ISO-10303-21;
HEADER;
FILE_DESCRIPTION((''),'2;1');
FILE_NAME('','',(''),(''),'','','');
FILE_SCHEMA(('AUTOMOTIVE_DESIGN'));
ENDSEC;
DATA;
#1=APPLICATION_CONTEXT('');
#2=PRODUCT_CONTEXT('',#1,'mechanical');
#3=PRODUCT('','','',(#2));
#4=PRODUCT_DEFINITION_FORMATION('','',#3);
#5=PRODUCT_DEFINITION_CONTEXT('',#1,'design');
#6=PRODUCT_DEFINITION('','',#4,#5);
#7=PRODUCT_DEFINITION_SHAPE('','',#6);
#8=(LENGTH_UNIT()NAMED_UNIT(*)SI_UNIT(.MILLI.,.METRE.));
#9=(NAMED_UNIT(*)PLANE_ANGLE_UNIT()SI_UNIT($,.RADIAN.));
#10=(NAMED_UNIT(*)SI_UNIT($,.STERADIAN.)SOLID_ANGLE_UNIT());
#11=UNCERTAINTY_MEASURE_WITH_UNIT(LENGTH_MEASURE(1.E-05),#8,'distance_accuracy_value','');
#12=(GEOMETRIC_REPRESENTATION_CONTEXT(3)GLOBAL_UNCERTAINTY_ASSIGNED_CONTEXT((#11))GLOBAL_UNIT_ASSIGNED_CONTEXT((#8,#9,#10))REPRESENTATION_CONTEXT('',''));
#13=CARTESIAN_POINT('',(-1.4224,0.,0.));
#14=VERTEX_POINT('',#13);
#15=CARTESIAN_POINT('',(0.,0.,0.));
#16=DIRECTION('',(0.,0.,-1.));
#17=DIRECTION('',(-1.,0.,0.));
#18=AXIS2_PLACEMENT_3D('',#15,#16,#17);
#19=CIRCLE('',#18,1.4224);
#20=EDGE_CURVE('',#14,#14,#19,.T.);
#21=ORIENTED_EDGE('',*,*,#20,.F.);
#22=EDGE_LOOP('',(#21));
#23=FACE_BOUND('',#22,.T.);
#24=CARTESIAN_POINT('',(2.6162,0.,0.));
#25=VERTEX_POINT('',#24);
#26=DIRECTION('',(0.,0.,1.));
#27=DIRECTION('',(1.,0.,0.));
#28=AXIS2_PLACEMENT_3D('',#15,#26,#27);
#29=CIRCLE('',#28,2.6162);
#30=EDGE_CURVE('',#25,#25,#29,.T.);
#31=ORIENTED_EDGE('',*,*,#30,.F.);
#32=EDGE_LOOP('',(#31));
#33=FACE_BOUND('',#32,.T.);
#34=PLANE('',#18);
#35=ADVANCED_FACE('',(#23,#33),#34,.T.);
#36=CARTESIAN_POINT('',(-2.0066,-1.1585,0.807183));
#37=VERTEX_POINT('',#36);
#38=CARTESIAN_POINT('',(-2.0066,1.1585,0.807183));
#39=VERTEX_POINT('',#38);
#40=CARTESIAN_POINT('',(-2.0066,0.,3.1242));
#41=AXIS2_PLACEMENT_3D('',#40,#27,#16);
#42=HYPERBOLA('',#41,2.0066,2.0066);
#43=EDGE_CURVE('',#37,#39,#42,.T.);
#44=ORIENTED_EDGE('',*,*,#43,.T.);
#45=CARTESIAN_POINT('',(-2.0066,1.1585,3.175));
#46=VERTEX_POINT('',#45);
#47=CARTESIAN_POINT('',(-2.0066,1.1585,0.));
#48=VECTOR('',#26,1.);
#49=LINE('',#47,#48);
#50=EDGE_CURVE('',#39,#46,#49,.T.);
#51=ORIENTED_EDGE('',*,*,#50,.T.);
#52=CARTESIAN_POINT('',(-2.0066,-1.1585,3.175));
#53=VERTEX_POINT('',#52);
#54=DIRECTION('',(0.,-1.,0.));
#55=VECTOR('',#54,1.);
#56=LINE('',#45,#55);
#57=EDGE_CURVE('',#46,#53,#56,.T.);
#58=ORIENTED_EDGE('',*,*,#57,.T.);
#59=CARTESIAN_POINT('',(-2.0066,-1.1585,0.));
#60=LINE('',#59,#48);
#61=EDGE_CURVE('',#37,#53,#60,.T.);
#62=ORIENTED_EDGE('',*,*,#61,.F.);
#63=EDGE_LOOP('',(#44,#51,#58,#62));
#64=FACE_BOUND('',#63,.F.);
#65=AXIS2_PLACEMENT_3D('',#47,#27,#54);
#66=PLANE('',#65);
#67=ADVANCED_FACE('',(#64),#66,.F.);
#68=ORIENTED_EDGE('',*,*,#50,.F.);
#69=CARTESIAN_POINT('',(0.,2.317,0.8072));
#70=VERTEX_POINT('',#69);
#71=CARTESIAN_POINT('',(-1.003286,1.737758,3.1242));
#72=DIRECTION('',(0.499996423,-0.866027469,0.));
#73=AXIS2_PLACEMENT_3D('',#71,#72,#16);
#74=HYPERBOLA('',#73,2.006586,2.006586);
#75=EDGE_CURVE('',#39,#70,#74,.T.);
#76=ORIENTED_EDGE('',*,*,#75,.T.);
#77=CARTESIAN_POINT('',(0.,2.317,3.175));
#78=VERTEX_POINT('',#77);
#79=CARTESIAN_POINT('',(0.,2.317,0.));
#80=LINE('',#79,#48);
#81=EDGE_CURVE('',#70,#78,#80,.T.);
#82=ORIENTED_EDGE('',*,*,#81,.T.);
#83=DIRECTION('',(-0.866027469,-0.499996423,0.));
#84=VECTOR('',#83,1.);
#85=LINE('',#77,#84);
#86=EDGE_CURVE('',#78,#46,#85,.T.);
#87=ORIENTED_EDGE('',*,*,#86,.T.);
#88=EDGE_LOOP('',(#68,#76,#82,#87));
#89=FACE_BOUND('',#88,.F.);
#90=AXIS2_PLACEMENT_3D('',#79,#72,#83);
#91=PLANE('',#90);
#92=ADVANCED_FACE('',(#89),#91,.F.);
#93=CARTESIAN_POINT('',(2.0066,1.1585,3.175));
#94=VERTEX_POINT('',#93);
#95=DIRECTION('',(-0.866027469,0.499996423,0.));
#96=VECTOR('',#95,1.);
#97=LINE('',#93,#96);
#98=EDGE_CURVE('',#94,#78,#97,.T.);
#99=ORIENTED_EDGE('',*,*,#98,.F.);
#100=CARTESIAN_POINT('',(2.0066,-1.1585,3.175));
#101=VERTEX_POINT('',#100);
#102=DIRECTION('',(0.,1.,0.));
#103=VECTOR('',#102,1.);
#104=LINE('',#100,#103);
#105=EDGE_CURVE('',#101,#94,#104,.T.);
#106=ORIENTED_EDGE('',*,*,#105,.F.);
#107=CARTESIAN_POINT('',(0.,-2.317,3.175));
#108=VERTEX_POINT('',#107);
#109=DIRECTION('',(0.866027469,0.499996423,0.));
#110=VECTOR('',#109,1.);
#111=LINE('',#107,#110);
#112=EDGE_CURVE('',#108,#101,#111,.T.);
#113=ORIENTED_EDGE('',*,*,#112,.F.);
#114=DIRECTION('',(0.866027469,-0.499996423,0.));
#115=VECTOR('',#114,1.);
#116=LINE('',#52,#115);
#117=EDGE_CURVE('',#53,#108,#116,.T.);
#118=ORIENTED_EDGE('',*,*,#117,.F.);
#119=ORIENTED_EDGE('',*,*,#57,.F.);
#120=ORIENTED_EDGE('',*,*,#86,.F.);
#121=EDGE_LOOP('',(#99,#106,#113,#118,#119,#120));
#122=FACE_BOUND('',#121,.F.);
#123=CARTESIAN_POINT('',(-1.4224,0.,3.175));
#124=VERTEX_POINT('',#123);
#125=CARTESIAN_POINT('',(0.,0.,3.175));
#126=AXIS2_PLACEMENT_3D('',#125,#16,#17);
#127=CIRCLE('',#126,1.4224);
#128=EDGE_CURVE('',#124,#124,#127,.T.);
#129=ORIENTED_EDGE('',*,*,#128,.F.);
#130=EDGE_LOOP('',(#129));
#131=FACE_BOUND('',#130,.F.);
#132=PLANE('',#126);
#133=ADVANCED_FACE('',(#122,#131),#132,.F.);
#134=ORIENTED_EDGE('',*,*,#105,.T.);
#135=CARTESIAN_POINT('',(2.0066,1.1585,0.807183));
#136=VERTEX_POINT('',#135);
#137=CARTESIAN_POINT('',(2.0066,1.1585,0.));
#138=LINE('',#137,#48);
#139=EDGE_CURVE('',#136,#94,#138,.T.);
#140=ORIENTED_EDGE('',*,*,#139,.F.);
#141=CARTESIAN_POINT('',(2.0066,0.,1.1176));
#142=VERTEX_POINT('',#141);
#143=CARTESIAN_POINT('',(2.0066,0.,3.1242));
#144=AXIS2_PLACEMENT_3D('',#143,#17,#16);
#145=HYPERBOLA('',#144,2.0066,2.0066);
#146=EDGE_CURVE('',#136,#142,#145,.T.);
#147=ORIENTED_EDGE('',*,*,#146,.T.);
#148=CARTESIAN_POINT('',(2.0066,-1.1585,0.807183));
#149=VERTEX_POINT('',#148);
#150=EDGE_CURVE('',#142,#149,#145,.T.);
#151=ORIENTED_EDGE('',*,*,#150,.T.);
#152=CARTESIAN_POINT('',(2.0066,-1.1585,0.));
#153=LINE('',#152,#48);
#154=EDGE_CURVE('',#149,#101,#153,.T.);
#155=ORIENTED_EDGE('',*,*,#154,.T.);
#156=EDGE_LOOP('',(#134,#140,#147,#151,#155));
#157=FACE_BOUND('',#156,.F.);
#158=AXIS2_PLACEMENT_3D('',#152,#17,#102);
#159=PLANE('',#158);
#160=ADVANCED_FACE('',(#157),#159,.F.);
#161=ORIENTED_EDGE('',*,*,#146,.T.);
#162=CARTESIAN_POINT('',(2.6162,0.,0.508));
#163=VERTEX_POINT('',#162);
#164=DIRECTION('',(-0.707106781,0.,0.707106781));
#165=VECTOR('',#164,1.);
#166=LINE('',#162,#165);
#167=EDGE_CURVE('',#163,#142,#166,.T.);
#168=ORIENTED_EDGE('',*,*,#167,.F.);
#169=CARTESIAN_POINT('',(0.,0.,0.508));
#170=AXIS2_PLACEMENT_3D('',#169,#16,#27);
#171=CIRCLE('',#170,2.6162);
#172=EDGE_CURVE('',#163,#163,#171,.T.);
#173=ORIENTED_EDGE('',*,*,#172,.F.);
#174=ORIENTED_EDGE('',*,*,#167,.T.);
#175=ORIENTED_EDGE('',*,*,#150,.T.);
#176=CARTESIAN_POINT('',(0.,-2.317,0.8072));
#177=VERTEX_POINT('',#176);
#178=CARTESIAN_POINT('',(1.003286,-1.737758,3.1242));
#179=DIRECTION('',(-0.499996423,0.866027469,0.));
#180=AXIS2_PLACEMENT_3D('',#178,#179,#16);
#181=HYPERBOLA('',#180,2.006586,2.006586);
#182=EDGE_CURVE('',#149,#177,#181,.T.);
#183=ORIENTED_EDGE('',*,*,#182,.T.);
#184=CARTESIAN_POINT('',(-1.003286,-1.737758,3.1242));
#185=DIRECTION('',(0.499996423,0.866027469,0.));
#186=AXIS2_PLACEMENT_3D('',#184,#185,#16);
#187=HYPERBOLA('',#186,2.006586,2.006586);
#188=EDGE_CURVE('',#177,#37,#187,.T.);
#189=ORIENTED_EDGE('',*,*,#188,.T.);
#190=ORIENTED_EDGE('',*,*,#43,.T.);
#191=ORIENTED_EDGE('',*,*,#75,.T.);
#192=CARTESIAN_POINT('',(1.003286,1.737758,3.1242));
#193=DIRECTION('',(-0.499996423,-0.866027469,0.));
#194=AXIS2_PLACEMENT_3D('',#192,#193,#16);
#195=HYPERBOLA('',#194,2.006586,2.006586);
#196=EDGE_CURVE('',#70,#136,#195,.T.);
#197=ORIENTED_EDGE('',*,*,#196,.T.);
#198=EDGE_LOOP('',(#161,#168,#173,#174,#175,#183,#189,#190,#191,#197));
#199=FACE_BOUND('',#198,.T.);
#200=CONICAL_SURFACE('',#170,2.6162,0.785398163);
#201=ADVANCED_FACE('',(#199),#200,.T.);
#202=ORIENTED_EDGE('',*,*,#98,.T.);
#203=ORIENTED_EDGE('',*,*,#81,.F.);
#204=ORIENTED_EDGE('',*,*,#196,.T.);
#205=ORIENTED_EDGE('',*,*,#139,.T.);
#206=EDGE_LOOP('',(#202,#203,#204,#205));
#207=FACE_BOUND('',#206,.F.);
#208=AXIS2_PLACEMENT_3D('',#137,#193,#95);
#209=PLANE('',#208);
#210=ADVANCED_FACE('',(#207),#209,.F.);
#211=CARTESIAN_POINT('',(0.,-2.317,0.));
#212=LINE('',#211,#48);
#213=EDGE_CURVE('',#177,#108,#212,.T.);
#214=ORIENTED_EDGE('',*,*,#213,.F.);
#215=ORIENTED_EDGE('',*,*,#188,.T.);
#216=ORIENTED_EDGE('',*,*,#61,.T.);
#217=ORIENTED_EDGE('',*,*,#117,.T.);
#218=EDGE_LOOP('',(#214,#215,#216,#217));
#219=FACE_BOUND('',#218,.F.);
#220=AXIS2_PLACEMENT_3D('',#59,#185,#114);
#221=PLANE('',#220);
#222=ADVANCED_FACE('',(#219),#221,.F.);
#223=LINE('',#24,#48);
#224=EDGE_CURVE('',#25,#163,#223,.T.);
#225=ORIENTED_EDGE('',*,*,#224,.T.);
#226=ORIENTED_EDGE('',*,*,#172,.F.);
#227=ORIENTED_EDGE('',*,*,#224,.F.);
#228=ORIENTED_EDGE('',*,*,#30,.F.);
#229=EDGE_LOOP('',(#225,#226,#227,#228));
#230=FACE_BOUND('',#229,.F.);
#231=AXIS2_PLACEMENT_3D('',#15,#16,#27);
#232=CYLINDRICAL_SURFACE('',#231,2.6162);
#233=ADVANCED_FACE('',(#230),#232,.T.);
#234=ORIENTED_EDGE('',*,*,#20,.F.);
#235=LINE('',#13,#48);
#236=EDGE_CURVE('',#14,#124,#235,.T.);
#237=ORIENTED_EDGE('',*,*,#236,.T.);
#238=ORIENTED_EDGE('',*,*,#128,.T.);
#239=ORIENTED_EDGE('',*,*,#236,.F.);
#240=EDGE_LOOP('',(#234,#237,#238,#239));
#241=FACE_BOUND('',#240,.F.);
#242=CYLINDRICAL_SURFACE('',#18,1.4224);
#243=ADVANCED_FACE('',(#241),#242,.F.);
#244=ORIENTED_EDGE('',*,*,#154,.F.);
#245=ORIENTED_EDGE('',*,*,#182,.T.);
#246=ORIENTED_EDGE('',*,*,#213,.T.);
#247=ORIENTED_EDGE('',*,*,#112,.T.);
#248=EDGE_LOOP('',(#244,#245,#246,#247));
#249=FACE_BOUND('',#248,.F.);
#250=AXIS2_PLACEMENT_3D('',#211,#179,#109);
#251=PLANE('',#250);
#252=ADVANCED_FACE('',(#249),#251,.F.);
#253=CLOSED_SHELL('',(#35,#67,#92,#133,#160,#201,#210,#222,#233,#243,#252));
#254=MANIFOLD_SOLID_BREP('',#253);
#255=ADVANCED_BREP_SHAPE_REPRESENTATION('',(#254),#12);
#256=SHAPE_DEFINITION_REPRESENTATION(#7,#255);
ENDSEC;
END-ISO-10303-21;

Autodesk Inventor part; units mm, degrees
ref_plane "YZ Plane" through (0, 0, 0) normal (1, 0, 0) x (0, 1, 0)
ref_plane "XZ Plane" through (0, 0, 0) normal (0, 1, 0) x (-1, 0, 0)
ref_plane "XY Plane" through (0, 0, 0) normal (0, 0, 1) x (1, 0, 0)
sketch "Sketch1" plane through (0, 0, 0) normal (0, 0, 1) x (1, 0, 0)
  circle A0 centre (0, 0) radius 2.6162
  dimension "d0" = 5.2324
extrude "Extrusion1" add sketch "Sketch1" along normal blind 0.508
sketch "Sketch2" plane through (0, 0, 0.508) normal (0, 0, 1) x (1, 0, 0)
  circle A0 centre (0, 0) radius 2.6162 projected
  circle A1 centre (0, 0) radius 2.6162
extrude "Extrusion2" add sketch "Sketch2" along normal blind 2.54 draft -45
sketch "Sketch3" plane through (0, 0, 0) normal (0, 0, -1) x (-1, 0, 0)
  circle A0 centre (0, 0) radius 2.6162 projected
  line L0 (-2.0066, 1.1585) -> (0, 2.317)
  line L1 (0, 2.317) -> (2.0066, 1.1585)
  line L2 (2.0066, 1.1585) -> (2.0066, -1.1585)
  line L3 (2.0066, -1.1585) -> (0, -2.317)
  line L4 (0, -2.317) -> (-2.0066, -1.1585)
  line L5 (-2.0066, -1.1585) -> (-2.0066, 1.1585)
  dimension "d5" = 4.0132
extrude "Extrusion3" add sketch "Sketch3" against normal blind 3.175 contours L0 L1 L2 L3 L4 L5
sketch "Sketch4" plane through (0, 0, 0) normal (0, 0, -1) x (-1, 0, 0)
  circle A0 centre (0, 0) radius 2.6162 projected
  circle A1 centre (0, 0) radius 1.4224
  dimension "d8" = 2.8448
extrude "Extrusion4" cut sketch "Sketch4" against normal through all contours A1
properties part number "MS21042-04"
